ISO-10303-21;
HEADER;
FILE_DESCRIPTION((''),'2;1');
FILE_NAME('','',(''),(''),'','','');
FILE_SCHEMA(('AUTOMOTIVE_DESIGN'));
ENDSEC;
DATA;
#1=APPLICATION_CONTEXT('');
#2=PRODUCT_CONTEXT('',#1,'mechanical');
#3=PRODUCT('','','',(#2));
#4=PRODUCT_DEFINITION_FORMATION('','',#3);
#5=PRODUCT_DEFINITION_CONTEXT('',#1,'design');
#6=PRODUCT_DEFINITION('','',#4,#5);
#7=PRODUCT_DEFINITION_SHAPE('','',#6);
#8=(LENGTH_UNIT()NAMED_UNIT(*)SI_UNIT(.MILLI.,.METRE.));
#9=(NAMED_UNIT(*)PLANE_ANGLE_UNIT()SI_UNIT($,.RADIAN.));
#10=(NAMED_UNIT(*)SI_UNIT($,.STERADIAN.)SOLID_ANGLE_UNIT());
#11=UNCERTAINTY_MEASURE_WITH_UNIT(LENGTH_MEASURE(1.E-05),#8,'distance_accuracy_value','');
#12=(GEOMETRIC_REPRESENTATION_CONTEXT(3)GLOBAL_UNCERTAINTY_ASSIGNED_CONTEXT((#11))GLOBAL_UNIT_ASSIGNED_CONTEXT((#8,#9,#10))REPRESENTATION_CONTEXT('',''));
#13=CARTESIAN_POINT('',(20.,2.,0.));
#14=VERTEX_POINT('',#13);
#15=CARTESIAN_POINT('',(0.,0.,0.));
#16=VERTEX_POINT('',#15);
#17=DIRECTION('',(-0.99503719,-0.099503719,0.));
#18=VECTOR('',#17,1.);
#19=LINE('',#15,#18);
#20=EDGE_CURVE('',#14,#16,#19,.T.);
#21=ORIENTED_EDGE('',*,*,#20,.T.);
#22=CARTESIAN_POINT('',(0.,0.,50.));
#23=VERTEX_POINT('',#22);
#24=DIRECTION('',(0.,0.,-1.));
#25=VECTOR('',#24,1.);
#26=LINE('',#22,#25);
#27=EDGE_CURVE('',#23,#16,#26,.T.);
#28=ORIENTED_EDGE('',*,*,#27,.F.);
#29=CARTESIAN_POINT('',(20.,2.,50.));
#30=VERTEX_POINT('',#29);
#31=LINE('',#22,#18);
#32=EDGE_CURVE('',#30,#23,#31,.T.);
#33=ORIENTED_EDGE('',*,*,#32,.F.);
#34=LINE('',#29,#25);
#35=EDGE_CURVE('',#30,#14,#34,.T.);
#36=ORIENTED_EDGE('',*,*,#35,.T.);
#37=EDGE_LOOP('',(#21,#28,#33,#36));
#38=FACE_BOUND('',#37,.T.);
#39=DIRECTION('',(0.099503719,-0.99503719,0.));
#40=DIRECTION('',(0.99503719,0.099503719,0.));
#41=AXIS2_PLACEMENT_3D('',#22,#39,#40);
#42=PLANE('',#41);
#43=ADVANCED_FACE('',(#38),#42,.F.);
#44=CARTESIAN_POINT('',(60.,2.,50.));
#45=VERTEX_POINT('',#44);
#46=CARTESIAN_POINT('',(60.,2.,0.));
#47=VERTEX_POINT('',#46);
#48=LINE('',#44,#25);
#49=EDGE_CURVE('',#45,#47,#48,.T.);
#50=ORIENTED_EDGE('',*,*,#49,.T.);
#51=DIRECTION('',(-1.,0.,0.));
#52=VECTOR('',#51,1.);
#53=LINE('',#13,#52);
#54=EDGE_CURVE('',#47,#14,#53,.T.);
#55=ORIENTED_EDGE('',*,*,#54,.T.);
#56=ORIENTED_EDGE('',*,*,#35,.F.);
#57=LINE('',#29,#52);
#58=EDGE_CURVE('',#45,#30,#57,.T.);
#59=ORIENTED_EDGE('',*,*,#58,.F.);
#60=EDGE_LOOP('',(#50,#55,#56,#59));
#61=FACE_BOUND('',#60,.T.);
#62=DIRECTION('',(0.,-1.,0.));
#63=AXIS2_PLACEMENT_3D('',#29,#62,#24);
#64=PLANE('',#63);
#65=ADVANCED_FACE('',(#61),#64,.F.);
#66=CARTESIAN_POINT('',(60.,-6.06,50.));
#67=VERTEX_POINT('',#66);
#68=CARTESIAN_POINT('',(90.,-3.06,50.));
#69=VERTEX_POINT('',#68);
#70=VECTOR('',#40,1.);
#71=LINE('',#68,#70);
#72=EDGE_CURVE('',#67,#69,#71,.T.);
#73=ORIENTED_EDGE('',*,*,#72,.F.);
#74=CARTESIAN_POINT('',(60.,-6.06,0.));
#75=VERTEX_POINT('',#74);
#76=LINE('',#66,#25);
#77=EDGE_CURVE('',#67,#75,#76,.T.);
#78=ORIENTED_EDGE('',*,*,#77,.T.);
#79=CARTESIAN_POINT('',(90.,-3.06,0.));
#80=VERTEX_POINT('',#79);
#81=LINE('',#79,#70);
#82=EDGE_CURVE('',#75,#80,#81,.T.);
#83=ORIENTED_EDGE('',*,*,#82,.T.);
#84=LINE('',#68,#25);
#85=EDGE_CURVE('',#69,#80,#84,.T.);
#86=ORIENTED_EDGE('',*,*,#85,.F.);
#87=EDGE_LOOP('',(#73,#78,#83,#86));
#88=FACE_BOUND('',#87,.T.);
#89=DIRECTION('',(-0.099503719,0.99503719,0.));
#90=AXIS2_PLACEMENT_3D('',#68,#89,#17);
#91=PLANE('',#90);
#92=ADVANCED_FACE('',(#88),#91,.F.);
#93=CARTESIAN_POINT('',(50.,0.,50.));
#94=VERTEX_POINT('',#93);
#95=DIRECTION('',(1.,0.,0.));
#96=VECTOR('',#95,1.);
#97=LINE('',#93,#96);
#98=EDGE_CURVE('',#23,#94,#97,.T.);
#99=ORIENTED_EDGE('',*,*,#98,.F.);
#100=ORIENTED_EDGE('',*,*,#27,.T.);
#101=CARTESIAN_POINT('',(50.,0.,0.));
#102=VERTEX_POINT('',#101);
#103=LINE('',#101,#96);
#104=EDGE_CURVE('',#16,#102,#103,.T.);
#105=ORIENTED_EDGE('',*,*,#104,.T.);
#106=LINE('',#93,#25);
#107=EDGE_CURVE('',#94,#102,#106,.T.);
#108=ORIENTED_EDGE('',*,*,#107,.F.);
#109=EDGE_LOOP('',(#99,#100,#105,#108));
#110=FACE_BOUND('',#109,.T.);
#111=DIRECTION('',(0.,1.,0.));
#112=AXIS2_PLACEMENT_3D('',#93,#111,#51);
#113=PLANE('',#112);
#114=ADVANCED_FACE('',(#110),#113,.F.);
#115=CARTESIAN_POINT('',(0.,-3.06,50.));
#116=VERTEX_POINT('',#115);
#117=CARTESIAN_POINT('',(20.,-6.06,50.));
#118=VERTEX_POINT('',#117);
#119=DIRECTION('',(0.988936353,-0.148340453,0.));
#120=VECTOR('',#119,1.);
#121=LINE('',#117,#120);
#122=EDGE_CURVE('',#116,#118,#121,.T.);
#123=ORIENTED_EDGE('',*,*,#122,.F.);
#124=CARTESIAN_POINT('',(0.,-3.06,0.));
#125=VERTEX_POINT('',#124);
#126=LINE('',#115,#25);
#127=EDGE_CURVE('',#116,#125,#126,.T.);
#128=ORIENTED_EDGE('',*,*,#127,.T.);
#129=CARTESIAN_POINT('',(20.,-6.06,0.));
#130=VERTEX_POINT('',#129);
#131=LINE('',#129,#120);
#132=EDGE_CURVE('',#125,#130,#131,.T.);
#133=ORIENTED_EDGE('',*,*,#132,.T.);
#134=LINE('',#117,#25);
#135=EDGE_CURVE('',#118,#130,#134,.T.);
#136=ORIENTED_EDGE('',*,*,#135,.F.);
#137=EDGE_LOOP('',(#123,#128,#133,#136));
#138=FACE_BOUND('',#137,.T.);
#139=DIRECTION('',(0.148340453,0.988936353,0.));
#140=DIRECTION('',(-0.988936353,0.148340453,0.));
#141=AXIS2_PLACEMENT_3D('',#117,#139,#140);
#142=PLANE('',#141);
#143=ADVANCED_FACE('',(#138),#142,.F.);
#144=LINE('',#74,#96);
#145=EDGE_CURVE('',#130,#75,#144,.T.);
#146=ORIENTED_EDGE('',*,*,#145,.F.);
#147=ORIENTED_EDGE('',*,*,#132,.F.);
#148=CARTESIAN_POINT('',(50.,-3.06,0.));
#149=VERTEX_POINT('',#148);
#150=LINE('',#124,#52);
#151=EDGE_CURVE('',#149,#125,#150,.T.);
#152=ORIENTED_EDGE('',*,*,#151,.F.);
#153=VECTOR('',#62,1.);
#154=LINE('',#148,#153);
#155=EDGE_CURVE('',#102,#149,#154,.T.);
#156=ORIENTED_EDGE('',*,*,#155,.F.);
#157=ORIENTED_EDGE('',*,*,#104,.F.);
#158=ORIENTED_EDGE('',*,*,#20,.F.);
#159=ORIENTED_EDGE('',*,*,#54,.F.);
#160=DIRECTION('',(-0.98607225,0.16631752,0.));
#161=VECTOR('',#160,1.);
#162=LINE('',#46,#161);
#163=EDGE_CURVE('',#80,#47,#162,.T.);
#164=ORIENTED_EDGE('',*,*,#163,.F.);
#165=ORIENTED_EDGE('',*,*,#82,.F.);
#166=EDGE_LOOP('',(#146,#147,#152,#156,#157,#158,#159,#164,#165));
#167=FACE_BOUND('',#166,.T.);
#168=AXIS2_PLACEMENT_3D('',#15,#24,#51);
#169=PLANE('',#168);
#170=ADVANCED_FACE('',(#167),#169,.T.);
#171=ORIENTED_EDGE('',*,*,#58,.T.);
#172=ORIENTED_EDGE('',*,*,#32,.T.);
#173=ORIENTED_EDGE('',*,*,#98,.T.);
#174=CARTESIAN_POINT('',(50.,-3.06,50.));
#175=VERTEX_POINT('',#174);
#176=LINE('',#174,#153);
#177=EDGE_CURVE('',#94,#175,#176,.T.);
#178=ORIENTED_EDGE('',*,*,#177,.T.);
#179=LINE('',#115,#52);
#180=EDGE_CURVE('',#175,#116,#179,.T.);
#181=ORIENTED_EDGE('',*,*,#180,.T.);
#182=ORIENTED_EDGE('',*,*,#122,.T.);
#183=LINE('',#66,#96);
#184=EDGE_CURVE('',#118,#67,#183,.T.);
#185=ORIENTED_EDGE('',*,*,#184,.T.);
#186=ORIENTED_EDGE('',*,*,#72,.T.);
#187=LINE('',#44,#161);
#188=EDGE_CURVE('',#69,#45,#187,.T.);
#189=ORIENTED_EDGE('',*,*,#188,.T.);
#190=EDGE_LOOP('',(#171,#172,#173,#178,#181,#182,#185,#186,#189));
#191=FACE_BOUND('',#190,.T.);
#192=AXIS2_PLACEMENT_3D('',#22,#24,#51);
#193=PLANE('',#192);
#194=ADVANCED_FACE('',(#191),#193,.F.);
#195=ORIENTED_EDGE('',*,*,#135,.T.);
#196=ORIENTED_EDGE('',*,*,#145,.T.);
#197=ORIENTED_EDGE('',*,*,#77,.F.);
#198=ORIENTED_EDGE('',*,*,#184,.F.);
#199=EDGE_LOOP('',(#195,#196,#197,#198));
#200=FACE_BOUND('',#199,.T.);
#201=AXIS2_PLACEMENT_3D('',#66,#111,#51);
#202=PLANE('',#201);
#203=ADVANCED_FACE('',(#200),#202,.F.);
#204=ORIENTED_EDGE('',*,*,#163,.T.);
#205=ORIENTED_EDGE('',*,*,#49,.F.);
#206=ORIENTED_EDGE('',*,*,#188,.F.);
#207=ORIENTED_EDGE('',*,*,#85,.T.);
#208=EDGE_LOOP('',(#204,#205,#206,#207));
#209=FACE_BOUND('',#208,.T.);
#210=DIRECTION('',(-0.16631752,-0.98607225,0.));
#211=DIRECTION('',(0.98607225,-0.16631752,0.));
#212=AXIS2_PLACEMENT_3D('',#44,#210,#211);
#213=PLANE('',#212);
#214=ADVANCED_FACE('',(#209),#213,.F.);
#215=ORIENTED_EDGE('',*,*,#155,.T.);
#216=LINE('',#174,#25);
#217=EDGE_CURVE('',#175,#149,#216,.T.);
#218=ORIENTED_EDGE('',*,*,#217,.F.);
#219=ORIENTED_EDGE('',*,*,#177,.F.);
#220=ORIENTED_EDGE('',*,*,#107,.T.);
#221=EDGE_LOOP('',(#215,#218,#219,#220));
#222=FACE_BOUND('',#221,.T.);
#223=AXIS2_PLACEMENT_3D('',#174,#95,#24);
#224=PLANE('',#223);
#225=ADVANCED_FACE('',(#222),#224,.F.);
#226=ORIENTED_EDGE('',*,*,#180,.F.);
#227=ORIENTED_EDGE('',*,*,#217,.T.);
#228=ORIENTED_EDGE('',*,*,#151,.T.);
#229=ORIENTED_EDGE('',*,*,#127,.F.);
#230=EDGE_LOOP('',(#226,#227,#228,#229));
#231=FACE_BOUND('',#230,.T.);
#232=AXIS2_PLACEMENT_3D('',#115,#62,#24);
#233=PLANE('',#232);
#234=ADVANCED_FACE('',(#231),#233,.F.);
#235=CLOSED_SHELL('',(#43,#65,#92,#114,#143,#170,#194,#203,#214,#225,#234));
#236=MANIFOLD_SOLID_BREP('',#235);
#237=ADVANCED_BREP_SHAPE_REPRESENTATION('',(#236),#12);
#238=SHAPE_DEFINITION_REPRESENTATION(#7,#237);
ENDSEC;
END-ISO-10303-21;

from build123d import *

# Parameters (mm, degrees)
P_IDAT_VYSUNUT_M1_DEPTH = 50


with BuildPart() as part:
    # Skica1 → Přidat vysunutím1 (new body)
    with BuildSketch(Plane.XY):
        Polygon((0, 0), (20, 2), (60, 2), (90, -3.06), (60, -6.06), (20, -6.06), (0, -3.06), (50, -3.06), (50, 0), align=None)
    extrude(amount=P_IDAT_VYSUNUT_M1_DEPTH)


solid = part.part
